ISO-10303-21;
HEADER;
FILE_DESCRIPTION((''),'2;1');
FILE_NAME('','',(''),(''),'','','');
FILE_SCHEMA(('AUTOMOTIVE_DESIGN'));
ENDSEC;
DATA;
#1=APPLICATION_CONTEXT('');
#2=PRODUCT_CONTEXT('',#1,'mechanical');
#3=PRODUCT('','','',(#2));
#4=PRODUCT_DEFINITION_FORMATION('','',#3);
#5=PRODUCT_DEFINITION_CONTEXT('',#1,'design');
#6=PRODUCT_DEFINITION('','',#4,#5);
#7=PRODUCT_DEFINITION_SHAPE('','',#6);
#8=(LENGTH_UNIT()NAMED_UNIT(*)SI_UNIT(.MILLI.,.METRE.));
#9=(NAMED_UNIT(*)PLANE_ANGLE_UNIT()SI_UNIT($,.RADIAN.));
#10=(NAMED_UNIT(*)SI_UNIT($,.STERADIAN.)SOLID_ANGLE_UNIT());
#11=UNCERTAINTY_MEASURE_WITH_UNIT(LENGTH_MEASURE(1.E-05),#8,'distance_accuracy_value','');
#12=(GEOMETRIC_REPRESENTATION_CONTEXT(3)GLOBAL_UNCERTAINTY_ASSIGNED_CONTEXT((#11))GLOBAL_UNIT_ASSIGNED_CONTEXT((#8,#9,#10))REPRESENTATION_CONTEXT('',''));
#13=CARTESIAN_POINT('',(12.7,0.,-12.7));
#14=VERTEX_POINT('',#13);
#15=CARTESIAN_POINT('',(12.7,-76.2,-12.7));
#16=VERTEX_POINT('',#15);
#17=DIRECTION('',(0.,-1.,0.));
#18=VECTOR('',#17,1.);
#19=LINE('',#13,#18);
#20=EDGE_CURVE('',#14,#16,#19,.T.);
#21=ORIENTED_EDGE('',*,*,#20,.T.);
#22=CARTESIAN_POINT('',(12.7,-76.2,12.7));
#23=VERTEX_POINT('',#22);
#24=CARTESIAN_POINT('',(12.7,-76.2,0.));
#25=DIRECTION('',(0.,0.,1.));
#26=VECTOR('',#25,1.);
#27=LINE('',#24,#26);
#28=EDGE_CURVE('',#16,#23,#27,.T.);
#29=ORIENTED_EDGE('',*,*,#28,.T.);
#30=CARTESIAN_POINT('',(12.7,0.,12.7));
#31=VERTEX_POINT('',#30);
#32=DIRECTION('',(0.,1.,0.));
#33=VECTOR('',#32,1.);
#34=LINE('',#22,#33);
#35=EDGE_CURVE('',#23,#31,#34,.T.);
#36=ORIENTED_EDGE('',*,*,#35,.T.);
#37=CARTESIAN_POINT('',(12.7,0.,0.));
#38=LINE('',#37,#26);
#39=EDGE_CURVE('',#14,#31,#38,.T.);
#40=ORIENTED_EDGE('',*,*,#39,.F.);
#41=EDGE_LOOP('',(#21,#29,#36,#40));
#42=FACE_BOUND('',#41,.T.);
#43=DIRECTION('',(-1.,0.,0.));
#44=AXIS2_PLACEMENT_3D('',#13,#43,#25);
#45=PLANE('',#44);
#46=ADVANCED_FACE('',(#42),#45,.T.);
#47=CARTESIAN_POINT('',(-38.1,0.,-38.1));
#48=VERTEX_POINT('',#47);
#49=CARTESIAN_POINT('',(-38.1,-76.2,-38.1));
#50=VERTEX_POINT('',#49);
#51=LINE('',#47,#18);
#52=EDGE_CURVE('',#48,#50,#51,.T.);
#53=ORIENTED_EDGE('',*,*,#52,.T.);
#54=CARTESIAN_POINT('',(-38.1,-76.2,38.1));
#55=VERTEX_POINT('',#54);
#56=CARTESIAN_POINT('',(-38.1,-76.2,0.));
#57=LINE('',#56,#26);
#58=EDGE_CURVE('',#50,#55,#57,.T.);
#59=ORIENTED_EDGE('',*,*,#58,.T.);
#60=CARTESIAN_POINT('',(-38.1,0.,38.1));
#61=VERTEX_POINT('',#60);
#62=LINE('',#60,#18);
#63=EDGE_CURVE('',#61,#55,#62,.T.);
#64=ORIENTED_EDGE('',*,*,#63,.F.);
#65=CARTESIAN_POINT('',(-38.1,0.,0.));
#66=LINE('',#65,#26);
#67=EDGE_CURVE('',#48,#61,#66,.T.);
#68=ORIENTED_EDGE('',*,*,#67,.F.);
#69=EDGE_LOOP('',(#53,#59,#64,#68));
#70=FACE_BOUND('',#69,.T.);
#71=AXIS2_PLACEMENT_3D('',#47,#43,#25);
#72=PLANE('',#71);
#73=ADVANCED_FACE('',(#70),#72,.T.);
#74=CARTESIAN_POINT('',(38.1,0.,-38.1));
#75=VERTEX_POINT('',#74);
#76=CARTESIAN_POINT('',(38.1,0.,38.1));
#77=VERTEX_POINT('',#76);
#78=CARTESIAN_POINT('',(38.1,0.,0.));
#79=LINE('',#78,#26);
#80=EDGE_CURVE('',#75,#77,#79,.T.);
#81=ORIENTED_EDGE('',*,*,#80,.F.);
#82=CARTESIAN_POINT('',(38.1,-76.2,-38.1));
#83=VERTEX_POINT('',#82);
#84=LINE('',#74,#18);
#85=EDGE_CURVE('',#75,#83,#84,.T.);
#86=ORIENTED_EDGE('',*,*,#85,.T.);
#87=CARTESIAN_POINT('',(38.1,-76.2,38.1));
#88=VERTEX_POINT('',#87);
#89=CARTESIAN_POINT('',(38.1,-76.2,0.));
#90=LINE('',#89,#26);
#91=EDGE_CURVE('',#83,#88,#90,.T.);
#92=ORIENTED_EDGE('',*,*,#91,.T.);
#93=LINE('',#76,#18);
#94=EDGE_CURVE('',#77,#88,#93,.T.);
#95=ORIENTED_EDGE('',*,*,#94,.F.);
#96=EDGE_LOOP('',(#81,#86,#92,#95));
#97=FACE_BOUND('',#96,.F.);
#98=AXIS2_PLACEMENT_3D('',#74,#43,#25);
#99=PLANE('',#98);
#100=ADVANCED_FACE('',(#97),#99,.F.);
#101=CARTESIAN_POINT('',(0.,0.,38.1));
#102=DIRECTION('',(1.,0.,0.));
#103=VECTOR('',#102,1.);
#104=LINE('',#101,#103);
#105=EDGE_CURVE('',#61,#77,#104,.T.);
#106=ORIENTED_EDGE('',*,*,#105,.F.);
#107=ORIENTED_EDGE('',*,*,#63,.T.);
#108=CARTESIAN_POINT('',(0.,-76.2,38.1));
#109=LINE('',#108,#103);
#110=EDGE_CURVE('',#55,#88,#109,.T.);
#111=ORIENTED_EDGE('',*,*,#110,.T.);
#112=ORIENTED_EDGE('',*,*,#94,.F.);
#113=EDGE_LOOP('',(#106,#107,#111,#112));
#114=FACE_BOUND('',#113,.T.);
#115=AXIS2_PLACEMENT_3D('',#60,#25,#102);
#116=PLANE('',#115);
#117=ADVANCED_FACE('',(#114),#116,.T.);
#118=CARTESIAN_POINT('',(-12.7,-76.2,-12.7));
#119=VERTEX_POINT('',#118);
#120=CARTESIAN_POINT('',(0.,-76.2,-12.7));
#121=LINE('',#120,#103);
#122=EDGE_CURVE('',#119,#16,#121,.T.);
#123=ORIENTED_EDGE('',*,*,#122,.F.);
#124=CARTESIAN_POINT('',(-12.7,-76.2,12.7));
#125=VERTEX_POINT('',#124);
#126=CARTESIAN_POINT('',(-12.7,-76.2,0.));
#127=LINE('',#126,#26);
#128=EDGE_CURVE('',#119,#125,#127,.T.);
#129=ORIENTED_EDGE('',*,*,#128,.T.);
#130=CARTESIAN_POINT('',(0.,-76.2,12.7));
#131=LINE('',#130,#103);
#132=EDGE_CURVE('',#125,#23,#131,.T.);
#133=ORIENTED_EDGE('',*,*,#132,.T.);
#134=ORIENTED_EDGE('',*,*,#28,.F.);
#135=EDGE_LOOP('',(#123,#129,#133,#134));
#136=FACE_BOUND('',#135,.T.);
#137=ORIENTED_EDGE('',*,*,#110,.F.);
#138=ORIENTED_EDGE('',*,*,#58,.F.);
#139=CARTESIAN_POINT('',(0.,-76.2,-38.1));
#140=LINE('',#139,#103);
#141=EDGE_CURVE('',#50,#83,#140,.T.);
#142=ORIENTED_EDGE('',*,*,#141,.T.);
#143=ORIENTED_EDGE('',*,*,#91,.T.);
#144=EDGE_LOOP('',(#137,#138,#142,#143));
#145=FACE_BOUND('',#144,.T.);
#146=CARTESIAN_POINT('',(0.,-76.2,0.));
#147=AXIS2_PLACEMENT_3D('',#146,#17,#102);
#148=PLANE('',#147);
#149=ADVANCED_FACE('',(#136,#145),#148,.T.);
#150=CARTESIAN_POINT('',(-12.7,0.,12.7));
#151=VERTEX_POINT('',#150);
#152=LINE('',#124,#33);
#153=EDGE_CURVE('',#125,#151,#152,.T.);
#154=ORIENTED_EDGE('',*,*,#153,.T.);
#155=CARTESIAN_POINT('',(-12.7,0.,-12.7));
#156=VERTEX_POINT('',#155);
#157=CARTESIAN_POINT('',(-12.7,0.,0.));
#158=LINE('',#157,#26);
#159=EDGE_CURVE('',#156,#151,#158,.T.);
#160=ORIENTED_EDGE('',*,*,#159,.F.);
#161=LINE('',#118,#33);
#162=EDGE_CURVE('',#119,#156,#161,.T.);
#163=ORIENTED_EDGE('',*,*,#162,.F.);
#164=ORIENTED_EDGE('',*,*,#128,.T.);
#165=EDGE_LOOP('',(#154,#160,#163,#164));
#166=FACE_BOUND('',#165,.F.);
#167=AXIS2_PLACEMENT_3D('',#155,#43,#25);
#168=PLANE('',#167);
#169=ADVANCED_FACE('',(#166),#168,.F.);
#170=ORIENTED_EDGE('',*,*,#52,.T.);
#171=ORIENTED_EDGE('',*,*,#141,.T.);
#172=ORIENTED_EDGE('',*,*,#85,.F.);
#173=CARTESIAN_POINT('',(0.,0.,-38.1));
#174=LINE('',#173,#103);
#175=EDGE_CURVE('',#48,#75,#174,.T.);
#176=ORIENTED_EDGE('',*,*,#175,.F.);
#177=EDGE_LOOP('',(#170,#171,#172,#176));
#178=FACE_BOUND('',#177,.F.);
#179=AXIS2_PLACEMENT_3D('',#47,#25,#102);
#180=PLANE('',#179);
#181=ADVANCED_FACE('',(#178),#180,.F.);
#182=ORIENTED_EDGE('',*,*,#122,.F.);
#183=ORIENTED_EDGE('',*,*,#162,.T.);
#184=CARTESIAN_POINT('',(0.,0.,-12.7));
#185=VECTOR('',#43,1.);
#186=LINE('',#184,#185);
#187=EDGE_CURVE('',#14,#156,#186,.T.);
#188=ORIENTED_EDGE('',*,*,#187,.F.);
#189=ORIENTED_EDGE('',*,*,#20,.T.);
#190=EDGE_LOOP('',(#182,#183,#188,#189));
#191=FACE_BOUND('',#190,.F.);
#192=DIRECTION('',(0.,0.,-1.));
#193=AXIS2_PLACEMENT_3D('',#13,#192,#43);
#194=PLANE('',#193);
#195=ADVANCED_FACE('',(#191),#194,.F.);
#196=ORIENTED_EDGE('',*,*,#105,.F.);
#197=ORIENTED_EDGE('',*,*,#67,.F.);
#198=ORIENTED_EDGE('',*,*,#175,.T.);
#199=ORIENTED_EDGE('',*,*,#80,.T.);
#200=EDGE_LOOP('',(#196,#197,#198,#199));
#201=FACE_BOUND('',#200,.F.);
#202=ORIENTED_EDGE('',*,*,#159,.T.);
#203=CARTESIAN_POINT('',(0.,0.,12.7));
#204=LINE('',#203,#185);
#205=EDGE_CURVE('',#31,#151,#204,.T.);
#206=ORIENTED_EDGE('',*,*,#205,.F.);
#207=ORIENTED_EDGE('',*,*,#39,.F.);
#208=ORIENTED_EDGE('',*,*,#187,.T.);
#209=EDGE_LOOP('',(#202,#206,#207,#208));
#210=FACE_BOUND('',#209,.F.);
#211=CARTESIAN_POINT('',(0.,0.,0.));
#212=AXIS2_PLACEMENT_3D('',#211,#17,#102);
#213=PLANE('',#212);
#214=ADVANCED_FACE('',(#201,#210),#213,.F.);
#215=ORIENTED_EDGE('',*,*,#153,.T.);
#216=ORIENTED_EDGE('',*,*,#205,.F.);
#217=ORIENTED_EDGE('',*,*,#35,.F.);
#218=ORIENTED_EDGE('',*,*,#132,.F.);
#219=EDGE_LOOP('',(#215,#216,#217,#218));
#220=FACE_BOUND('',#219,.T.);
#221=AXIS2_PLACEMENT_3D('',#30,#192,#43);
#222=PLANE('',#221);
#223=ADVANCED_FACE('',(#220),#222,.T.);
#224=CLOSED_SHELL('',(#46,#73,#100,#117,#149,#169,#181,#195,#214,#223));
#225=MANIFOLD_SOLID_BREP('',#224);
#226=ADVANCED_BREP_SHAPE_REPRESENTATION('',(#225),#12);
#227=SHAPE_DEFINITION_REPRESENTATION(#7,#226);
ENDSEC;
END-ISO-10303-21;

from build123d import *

# Parameters (mm, degrees)
F0_W      = 76.2
F0_H      = 76.2
F1_DEPTH  = 76.2
F2_W      = 25.4
F2_H      = 25.4
F3_DEPTH  = 25.4
F3_FACE_W = 25.4
F3_FACE_H = 25.4
F4_DEPTH  = 25.4
F5_W      = 25.4
F5_H      = 25.4
F6_DEPTH  = 25.4


with BuildPart() as f1:
    # F0 (on Front) → F1 (new body)
    with BuildSketch(Plane.XZ):
        Rectangle(F0_W, F0_H)
    extrude(amount=F1_DEPTH)

    # F2 (on face) → F3 (cut)
    with BuildSketch(Plane(origin=(0, 0, 0), x_dir=(-1, 0, 0), z_dir=(0, 1, 0))):
        Rectangle(F2_W, F2_H)
    extrude(amount=-F3_DEPTH, mode=Mode.SUBTRACT)

    # F3_face (on face) → F4 (cut)
    with BuildSketch(Plane(origin=(0, -25.4, 0), x_dir=(-1, 0, 0), z_dir=(0, 1, 0))):
        Rectangle(F3_FACE_W, F3_FACE_H)
    extrude(amount=-F4_DEPTH, mode=Mode.SUBTRACT)

    # F5 (on face) → F6 (cut)
    with BuildSketch(Plane.XZ.offset(76.2)):
        Rectangle(F5_W, F5_H)
    extrude(amount=-F6_DEPTH, mode=Mode.SUBTRACT)


solid = f1.part
